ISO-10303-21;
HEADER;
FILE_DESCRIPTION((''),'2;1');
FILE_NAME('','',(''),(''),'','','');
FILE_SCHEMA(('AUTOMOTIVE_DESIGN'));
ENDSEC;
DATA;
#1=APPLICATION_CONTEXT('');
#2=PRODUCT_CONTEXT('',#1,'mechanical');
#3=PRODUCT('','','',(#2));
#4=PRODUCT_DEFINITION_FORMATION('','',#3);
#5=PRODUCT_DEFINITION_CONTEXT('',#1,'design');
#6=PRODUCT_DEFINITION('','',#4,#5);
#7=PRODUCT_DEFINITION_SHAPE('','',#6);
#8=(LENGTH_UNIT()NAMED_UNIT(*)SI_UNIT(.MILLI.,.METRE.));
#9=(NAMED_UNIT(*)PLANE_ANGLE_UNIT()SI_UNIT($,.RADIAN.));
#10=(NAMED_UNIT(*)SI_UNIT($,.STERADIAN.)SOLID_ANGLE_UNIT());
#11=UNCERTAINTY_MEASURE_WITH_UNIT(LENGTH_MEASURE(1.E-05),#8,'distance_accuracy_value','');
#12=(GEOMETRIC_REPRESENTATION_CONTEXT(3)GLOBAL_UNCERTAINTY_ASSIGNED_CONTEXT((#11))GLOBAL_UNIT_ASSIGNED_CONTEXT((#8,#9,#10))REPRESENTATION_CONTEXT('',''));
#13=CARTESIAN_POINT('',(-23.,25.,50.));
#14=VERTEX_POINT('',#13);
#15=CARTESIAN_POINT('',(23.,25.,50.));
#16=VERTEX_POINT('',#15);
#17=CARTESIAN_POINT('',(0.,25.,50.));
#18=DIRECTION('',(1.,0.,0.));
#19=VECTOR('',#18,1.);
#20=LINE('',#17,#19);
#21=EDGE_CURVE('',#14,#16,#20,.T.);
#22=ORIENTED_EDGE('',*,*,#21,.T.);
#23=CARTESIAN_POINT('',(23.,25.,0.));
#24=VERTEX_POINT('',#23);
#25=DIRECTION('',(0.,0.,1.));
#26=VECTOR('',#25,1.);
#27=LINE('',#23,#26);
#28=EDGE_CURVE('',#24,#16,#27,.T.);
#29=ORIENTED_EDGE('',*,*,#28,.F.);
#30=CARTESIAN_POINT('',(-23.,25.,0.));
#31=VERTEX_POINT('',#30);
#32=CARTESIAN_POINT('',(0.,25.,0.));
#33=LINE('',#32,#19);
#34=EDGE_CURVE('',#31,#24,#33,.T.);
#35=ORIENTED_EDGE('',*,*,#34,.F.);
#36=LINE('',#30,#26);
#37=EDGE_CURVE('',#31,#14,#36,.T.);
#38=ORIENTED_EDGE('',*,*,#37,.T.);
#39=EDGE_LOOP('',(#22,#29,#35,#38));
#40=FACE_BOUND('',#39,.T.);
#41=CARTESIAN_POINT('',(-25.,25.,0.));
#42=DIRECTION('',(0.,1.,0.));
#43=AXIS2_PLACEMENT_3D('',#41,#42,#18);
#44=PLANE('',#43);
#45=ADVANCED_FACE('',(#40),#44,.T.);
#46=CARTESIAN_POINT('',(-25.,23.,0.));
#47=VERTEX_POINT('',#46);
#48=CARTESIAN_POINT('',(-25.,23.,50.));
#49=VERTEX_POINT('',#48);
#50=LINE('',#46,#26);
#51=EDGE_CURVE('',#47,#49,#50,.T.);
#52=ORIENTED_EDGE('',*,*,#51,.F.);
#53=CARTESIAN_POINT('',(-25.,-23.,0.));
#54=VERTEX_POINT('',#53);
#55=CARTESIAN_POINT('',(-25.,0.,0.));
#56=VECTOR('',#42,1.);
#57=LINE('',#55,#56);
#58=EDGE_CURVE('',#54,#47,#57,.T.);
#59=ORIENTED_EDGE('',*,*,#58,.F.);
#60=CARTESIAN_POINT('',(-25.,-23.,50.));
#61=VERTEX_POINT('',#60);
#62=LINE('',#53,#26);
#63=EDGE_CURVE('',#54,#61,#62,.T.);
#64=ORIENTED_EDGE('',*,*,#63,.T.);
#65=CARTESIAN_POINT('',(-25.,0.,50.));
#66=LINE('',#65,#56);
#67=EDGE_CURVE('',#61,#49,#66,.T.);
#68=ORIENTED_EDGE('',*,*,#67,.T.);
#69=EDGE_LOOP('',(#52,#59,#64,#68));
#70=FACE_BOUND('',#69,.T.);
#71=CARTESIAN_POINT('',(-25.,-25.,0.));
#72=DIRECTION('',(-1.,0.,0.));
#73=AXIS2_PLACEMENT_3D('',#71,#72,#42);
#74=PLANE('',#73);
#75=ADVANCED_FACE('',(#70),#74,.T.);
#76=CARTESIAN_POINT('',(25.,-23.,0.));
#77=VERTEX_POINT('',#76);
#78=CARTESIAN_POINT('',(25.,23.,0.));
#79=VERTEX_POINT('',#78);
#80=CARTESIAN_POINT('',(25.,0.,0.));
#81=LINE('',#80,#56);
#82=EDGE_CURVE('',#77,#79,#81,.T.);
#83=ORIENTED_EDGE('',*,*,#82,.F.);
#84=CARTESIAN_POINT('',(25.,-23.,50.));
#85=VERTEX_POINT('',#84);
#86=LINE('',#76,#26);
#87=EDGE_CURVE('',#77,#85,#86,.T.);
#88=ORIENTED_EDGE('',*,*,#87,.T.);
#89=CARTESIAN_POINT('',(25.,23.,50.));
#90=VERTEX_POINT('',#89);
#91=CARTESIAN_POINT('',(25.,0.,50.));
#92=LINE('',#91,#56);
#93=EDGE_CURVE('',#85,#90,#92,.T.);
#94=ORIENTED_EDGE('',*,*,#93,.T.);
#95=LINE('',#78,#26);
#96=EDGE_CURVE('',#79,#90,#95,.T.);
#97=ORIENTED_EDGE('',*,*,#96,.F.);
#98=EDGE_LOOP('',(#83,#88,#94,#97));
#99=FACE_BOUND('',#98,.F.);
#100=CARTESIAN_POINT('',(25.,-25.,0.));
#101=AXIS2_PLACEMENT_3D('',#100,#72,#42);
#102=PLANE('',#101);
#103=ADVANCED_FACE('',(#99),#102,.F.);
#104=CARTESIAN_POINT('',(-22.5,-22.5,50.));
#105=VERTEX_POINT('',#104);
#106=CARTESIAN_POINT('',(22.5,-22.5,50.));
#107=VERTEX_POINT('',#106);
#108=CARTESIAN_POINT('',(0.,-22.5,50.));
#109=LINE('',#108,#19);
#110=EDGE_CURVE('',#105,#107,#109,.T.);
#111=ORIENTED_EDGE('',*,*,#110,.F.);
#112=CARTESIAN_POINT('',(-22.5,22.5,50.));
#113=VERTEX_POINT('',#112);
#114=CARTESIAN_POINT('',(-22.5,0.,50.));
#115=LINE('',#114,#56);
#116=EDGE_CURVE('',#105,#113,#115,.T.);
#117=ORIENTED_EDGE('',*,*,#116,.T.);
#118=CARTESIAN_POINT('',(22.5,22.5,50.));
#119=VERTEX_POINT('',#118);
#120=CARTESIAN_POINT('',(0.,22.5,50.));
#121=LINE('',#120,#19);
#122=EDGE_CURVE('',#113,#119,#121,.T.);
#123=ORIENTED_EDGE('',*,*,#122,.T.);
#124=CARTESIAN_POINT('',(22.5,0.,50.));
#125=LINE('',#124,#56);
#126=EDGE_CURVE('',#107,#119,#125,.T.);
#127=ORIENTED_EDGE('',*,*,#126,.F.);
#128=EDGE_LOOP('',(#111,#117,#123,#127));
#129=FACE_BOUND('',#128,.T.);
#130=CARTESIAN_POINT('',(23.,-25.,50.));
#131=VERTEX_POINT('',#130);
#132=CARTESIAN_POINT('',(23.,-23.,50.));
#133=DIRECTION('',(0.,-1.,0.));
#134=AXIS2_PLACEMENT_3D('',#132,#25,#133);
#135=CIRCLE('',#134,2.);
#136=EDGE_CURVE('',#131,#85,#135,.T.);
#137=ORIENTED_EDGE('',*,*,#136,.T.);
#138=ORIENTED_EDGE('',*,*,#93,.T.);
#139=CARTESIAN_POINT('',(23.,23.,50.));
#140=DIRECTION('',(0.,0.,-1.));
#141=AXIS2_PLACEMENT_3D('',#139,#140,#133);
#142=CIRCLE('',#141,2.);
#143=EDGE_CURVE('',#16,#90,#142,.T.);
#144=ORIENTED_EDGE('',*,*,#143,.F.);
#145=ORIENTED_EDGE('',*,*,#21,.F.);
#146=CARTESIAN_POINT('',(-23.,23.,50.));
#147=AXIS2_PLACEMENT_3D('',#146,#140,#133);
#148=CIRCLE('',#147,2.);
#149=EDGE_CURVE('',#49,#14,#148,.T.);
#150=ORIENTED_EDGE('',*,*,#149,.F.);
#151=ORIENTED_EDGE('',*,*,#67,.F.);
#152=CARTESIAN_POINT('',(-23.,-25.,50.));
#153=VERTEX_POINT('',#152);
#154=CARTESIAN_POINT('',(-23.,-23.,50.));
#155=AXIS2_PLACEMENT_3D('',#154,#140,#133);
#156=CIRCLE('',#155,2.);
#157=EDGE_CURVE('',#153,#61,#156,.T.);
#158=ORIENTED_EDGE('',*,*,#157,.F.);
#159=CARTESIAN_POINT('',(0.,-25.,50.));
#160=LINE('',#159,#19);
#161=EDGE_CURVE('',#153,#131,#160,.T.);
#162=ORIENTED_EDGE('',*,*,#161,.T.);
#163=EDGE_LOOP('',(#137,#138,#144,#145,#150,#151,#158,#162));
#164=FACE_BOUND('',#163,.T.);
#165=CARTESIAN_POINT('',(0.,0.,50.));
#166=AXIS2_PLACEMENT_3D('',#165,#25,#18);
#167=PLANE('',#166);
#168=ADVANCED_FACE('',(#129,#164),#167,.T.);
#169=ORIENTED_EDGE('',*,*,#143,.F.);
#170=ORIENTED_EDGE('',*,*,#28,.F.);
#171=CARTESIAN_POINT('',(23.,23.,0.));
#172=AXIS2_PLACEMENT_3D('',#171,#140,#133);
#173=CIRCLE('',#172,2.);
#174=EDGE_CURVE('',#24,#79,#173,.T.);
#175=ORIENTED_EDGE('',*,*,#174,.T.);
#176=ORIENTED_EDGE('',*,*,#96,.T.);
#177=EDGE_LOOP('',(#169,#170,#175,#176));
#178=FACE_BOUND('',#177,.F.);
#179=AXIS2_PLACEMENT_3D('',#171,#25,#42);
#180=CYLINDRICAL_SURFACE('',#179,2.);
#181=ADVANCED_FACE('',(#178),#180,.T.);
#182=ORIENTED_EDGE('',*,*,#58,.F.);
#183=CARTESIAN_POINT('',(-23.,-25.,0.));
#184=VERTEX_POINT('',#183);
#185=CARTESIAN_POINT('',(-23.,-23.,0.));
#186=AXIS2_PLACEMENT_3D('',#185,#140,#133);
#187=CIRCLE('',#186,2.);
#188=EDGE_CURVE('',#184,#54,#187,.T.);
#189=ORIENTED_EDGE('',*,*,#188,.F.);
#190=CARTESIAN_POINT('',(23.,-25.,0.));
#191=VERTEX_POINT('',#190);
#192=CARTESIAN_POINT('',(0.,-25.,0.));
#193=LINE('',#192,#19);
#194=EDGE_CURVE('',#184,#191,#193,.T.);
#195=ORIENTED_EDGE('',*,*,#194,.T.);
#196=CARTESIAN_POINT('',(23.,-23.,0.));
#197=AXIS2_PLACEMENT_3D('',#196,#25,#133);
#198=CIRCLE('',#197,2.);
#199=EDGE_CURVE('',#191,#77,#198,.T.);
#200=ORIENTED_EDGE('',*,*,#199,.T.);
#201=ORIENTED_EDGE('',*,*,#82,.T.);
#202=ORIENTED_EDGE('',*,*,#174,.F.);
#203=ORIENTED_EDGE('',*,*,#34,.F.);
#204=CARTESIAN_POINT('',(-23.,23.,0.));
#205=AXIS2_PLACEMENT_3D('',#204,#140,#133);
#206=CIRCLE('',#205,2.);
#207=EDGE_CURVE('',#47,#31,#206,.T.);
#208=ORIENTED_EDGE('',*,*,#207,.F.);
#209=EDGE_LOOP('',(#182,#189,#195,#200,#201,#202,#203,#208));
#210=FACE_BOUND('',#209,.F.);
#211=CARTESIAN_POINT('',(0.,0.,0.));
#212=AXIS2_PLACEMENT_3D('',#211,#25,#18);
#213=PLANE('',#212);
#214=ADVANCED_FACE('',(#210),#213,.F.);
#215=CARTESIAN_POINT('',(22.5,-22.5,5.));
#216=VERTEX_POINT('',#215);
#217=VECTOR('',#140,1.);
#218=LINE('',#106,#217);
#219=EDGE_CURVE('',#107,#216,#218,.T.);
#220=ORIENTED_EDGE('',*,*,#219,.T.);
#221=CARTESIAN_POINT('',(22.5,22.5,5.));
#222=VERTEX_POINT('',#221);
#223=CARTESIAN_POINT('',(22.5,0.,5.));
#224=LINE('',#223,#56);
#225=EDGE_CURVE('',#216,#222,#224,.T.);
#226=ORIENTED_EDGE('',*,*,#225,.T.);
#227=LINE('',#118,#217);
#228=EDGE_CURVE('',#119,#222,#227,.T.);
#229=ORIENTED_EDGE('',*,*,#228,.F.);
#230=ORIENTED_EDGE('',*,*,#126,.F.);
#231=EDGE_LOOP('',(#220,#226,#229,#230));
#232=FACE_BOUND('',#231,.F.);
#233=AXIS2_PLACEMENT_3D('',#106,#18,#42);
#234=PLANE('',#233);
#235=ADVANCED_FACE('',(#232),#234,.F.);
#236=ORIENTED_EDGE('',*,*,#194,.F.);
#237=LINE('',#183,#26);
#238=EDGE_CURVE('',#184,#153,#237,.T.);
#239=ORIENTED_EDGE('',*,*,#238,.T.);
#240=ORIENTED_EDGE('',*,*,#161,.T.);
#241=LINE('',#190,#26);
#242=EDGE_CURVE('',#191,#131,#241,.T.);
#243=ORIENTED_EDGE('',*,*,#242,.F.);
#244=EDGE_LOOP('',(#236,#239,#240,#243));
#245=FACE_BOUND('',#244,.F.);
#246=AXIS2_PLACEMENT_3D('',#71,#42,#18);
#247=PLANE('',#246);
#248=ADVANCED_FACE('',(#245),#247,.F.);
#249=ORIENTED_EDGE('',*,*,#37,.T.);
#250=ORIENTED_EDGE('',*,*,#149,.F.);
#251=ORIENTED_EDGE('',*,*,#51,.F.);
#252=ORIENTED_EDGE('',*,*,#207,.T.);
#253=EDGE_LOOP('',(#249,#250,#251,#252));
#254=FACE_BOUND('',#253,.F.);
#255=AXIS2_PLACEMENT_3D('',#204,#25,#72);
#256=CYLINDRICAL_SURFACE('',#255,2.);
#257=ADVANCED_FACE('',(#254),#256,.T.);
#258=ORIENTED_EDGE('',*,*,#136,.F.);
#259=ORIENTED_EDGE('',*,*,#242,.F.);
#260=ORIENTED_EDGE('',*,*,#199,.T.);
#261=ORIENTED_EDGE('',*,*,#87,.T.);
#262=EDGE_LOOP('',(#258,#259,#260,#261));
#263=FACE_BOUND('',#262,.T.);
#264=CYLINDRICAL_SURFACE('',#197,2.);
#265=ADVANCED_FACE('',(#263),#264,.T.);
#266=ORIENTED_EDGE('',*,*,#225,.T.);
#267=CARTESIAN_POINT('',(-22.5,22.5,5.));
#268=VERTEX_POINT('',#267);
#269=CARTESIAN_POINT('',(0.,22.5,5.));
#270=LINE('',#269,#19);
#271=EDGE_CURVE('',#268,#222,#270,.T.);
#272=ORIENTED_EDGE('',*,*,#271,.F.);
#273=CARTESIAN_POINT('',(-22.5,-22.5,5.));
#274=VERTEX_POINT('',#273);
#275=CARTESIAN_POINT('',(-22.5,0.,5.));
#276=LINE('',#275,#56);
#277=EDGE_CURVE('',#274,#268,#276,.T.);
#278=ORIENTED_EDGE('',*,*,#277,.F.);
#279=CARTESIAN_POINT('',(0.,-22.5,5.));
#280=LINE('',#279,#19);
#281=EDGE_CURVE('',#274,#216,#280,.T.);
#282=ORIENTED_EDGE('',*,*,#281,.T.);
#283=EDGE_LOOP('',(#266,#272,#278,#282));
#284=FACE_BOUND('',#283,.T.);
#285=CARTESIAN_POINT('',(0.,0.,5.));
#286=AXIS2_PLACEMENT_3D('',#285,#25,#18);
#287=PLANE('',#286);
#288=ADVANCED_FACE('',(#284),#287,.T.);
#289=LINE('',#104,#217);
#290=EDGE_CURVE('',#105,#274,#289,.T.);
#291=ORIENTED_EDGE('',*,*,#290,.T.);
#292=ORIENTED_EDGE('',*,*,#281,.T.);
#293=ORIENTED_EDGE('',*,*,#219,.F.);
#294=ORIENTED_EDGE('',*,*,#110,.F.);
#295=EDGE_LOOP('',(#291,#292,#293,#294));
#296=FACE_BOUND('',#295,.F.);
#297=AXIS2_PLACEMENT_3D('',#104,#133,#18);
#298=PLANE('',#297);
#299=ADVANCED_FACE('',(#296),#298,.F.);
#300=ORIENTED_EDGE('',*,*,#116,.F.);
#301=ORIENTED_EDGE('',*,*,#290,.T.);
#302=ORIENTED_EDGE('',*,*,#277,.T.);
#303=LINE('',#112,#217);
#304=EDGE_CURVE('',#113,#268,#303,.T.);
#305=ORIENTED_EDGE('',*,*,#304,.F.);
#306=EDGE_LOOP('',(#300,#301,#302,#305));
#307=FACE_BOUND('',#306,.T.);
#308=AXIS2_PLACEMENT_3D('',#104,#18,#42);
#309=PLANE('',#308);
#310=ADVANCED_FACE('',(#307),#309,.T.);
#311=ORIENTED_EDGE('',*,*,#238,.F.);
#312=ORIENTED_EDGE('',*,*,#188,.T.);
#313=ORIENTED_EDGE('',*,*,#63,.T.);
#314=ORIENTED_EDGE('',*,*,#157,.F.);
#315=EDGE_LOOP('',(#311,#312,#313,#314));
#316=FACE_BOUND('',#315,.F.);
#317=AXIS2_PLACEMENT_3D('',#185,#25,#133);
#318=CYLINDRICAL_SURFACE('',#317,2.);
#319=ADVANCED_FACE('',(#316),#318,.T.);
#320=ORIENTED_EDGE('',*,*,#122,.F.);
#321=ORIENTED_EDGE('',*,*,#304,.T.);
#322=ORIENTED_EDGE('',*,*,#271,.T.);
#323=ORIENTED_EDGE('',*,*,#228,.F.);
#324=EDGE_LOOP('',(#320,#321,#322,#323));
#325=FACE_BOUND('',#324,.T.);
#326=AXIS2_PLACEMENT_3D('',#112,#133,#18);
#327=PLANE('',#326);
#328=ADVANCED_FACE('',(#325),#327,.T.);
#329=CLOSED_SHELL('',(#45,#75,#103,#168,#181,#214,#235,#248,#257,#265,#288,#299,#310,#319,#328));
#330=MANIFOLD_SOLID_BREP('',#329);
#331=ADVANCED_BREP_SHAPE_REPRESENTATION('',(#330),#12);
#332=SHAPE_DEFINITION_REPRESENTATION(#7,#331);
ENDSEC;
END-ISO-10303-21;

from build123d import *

# Parameters (mm, degrees)
SKETCH_W     = 50
SKETCH_H     = 50
PAD_DEPTH    = 50
SKETCH001_W  = 45
SKETCH001_H  = 45
POCKET_DEPTH = 45
FILLET_R     = 2
FILLET001_R  = 2
FILLET002_R  = 2
FILLET003_R  = 2


with BuildPart() as part:
    # Sketch → Pad (new body)
    with BuildSketch(Plane.XY):
        Rectangle(SKETCH_W, SKETCH_H)
    extrude(amount=PAD_DEPTH)

    # Sketch001 (on Face6 of Pad) → Pocket (cut)
    with BuildSketch(Plane.XY.offset(50)):
        Rectangle(SKETCH001_W, SKETCH001_H)
    extrude(amount=-POCKET_DEPTH, mode=Mode.SUBTRACT)

    # Fillet
    fillet_edges = [part.edges().sort_by_distance(p)[0] for p in [
        (25, -25, 25),
    ]]
    fillet(fillet_edges, radius=FILLET_R)

    # Fillet001
    fillet001_edges = [part.edges().sort_by_distance(p)[0] for p in [
        (-25, -25, 25),
    ]]
    fillet(fillet001_edges, radius=FILLET001_R)

    # Fillet002
    fillet002_edges = [part.edges().sort_by_distance(p)[0] for p in [
        (-25, 25, 25),
    ]]
    fillet(fillet002_edges, radius=FILLET002_R)

    # Fillet003
    fillet003_edges = [part.edges().sort_by_distance(p)[0] for p in [
        (25, 25, 25),
    ]]
    fillet(fillet003_edges, radius=FILLET003_R)


solid = part.part
